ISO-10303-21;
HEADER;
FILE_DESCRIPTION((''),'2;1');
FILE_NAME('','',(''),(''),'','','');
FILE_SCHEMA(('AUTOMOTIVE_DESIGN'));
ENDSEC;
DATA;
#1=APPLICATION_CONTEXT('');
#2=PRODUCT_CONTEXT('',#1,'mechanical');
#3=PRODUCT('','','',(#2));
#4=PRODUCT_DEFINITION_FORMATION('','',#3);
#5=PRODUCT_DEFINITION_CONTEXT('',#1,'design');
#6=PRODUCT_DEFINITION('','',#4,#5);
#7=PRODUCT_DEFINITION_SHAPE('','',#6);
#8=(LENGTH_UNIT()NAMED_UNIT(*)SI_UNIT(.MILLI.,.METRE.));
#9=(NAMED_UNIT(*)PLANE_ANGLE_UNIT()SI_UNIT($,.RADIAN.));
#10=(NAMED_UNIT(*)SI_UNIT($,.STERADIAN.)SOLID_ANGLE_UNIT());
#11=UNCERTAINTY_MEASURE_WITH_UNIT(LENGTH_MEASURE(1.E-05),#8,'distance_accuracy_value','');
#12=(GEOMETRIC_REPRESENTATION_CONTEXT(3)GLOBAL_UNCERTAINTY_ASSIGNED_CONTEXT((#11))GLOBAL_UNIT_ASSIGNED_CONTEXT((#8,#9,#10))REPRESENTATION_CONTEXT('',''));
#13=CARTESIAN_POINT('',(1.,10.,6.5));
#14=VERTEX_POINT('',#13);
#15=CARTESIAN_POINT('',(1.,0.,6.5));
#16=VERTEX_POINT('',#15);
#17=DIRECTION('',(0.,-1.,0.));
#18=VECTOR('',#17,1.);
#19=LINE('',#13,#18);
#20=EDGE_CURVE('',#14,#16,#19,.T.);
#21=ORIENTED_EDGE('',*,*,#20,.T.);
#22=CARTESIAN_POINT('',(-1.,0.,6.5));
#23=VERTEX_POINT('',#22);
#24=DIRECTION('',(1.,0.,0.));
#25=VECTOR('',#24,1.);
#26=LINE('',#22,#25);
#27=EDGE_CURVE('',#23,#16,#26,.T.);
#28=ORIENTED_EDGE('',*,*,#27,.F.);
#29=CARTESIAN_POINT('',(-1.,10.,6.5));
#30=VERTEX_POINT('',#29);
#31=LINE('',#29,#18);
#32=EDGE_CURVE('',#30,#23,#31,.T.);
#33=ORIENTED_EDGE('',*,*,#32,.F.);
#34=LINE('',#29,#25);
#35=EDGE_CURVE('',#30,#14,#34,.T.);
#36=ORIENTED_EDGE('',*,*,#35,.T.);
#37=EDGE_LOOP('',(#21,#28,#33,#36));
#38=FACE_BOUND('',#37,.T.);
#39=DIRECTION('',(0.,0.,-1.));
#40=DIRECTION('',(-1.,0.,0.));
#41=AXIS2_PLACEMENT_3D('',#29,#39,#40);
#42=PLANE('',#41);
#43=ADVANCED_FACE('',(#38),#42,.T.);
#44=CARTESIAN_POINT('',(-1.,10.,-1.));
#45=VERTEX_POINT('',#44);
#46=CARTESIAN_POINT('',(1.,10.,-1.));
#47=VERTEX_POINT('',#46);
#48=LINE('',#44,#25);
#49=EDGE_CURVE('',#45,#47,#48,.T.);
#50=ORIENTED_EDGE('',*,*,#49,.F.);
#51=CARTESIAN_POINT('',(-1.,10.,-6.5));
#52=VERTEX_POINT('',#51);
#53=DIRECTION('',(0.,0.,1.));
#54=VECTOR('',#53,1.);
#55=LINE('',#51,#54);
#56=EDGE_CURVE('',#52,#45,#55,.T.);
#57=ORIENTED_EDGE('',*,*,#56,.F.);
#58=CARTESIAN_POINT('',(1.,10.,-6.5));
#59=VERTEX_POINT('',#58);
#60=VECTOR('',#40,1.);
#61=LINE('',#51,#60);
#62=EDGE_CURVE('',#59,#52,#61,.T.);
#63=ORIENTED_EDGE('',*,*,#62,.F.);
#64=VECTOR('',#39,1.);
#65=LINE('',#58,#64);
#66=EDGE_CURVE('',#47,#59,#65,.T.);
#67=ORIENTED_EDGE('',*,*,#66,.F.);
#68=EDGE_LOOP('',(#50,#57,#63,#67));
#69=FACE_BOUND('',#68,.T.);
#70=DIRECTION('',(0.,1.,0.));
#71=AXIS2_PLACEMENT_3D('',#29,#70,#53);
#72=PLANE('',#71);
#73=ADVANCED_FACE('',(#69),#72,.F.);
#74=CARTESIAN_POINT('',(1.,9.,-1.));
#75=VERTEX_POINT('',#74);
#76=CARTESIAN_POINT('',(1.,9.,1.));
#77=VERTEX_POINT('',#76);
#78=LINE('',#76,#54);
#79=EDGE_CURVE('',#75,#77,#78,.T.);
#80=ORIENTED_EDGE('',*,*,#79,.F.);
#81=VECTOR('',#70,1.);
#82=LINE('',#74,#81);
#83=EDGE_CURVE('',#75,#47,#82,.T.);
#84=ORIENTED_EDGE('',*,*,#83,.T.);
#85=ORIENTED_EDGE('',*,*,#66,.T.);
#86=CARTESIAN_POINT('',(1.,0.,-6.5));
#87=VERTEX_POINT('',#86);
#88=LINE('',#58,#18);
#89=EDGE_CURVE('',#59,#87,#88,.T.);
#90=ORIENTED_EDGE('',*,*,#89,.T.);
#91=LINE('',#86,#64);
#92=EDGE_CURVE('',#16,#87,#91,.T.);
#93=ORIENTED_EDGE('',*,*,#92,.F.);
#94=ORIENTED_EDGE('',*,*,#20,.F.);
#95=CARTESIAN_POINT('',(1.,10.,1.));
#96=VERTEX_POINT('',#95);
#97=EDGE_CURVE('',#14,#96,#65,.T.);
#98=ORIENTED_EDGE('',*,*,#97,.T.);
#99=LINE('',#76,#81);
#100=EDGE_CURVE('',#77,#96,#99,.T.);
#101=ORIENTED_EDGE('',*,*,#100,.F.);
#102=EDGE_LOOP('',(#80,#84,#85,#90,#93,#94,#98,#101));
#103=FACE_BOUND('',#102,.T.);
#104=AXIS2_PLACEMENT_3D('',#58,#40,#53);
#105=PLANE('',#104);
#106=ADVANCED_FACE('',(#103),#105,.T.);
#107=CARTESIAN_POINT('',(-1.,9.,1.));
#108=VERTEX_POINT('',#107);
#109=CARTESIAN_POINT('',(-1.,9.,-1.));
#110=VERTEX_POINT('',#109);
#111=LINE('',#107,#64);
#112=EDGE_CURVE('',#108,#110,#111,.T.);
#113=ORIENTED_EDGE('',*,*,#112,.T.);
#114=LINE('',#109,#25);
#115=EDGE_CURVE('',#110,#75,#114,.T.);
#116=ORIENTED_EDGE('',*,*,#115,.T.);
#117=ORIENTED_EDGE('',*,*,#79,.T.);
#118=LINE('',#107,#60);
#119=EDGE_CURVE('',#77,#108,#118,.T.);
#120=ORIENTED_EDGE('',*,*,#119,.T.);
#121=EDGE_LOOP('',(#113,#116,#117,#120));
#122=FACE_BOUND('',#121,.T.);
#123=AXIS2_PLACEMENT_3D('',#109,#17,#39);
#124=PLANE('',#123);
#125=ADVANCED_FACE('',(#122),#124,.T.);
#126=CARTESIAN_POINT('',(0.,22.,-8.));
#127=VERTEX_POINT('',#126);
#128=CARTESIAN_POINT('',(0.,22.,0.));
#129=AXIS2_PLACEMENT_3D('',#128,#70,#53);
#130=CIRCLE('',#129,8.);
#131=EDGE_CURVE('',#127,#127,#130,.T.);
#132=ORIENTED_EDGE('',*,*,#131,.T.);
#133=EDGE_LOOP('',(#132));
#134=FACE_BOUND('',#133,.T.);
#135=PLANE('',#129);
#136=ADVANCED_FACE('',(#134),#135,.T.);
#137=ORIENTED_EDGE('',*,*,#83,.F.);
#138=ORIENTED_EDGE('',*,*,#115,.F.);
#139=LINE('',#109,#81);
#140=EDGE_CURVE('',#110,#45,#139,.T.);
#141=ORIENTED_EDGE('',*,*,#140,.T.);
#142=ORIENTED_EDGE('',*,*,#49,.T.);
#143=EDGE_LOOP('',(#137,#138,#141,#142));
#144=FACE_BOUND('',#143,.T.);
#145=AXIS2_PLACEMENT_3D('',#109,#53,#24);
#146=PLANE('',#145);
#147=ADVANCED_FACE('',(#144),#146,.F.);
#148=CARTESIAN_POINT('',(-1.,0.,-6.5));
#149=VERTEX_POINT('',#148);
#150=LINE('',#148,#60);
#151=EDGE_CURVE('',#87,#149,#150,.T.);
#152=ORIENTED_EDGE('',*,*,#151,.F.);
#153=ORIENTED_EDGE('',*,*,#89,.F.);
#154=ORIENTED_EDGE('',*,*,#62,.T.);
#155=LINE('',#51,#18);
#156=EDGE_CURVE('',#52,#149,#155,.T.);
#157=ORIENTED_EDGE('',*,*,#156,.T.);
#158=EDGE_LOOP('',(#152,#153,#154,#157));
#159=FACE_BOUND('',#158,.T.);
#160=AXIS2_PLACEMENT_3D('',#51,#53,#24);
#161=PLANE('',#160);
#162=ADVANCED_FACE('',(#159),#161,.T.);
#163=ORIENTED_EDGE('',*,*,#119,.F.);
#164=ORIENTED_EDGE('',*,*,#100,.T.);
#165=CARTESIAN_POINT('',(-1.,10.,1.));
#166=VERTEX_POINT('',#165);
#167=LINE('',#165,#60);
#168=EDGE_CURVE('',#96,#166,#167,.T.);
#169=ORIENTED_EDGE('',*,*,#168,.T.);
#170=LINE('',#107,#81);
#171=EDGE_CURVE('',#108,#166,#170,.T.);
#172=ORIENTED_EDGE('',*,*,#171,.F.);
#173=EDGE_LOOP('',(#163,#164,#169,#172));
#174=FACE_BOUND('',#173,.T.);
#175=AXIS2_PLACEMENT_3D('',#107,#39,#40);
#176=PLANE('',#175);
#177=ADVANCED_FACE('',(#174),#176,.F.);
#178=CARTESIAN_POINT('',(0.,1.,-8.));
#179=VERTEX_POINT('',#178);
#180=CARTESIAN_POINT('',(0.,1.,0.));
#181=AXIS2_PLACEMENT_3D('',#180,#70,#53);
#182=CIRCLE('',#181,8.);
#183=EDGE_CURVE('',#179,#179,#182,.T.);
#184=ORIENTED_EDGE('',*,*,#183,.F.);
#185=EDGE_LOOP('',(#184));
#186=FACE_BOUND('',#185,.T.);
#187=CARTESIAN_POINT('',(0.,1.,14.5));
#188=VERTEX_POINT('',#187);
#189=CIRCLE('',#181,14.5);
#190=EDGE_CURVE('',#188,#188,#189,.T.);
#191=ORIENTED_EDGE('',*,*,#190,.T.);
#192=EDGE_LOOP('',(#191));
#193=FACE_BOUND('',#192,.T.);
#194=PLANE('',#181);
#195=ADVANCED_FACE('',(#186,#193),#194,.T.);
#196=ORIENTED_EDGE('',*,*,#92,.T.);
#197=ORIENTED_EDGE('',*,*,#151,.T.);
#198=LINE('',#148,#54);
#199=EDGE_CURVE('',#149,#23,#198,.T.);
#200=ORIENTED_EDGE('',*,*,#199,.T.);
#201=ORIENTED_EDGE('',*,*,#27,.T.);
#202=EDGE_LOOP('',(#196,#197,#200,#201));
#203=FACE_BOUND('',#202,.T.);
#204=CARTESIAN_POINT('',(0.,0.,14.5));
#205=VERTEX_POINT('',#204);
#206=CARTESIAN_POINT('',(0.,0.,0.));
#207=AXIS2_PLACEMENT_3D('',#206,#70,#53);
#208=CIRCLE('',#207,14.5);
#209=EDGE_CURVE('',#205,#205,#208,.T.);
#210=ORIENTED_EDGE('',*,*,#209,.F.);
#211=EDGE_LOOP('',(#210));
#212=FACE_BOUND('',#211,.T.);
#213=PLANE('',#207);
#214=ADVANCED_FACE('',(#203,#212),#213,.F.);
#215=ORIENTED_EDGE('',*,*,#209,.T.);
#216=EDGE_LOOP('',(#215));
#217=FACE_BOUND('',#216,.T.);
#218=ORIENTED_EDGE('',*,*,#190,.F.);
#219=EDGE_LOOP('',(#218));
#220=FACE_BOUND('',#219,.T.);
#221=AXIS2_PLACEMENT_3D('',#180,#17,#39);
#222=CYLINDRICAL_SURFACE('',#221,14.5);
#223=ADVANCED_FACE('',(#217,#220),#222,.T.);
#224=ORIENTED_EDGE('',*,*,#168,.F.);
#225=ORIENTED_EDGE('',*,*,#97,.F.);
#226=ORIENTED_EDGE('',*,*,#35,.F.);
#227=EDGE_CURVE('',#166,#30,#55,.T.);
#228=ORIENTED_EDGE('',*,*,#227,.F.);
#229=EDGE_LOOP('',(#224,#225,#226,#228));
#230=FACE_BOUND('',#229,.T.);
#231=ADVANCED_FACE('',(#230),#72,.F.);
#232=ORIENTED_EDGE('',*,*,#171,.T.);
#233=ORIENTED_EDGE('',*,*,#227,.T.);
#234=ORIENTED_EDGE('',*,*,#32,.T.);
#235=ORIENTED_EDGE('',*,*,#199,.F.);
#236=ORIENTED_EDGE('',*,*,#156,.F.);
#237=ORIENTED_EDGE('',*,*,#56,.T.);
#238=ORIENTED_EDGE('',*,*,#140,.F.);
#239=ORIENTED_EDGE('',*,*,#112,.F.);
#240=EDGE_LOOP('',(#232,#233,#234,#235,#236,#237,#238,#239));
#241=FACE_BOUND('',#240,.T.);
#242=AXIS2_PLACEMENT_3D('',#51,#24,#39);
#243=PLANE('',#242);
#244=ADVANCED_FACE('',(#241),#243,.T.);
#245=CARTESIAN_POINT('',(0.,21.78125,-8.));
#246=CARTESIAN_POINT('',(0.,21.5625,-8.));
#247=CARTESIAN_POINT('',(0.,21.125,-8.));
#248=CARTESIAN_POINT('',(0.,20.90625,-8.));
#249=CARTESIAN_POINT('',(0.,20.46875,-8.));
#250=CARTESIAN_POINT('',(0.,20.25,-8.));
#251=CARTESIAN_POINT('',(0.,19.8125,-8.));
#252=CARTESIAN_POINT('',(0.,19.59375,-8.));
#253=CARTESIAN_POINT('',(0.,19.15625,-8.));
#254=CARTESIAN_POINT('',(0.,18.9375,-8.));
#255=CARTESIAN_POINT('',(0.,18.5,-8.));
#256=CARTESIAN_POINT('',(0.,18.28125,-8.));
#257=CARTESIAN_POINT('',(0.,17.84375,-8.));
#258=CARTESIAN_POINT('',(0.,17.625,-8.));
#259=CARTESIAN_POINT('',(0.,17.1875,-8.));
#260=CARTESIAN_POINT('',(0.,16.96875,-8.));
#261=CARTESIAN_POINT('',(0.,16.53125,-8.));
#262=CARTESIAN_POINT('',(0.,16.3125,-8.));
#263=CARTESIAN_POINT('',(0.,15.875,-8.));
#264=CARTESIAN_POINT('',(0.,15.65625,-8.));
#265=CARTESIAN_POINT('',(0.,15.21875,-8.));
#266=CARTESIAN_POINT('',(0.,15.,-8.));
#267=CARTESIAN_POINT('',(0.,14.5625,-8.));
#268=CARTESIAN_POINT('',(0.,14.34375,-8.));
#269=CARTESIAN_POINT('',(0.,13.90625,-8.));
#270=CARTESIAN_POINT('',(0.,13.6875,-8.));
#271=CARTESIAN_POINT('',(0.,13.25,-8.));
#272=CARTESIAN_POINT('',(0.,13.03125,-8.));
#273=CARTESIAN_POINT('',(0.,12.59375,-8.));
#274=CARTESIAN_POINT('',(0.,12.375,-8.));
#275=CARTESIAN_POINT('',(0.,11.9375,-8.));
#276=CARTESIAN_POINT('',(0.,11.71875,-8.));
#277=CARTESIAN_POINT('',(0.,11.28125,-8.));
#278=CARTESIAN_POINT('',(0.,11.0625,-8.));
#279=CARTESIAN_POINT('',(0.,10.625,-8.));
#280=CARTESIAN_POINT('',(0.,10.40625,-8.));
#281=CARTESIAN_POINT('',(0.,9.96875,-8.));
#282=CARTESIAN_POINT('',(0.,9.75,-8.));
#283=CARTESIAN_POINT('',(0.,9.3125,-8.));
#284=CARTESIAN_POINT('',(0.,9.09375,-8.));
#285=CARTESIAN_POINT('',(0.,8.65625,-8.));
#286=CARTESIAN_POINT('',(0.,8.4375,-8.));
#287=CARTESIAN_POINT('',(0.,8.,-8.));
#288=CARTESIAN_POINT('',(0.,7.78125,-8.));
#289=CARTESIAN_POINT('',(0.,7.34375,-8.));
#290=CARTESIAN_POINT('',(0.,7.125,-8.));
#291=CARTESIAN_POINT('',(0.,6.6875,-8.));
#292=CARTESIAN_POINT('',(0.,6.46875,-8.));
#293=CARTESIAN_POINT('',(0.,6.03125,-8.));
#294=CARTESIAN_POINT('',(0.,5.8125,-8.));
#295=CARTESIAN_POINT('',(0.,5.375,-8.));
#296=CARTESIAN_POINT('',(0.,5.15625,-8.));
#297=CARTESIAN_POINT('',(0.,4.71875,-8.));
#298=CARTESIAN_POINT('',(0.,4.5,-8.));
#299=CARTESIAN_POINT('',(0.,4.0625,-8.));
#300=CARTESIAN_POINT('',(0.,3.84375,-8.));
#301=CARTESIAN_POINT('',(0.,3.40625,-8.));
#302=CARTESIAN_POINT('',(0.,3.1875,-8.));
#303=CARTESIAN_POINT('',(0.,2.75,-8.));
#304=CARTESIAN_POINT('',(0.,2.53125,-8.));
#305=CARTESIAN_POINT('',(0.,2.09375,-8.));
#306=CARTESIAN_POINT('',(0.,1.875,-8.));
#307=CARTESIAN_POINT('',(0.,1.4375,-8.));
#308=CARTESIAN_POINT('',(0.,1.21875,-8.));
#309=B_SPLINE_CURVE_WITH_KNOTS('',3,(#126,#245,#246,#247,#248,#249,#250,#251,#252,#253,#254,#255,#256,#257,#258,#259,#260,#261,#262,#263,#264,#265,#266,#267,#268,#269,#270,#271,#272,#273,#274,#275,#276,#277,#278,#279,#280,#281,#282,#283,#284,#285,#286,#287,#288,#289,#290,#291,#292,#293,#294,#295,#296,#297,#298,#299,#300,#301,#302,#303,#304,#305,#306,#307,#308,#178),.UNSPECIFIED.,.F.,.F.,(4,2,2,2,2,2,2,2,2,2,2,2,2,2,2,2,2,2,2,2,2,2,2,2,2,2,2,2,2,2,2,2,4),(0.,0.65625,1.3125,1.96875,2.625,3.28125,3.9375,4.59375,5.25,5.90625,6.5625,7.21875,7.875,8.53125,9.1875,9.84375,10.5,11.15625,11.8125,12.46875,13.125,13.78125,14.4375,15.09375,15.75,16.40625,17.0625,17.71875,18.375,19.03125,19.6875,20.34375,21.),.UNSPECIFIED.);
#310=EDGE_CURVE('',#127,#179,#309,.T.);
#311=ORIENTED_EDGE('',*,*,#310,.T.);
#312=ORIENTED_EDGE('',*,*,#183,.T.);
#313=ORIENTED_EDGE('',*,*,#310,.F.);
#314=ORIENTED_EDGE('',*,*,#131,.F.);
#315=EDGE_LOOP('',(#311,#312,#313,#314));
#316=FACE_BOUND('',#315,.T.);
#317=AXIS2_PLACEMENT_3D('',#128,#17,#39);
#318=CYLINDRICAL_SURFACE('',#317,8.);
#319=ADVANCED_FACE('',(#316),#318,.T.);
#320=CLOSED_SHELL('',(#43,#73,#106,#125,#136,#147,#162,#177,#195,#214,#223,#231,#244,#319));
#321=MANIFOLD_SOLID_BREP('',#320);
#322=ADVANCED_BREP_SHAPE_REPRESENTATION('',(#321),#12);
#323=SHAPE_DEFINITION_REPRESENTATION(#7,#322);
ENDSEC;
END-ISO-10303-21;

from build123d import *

# Parameters (mm, degrees)
SKETCH_1_R          = 14.5
EXTRUDE_1_DEPTH     = 1
SKETCH_3_R          = 8
EXTRUDE_3_DEPTH     = 21
SKETCH_4_W          = 2
SKETCH_4_H          = 13
CUT_EXTRUDE_1_DEPTH = 10
SKETCH_5_W          = 2
SKETCH_5_H          = 2
EXTRUDE_4_DEPTH     = 1


with BuildPart() as part:
    # 草图1 → 拉伸1 (new body)
    with BuildSketch(Plane(origin=(0, 0, 0), x_dir=(1, 0, 0), z_dir=(0, 1, 0))):
        with Locations(Location((0, 0, 0), (0, 0, 270))):
            Circle(SKETCH_1_R)
    extrude(amount=EXTRUDE_1_DEPTH)

    # 草图3 → 拉伸3 (add)
    with BuildSketch(Plane(origin=(0, 1, 0), x_dir=(-1, 0, 0), z_dir=(0, 1, 0))):
        with Locations(Location((0, 0, 0), (0, 0, 270))):
            Circle(SKETCH_3_R)
    extrude(amount=EXTRUDE_3_DEPTH)

    # 草图4 → 切除-拉伸1 (cut)
    with BuildSketch(Plane(origin=(0, 0, 0), x_dir=(-1, 0, 0), z_dir=(0, 1, 0))):
        Rectangle(SKETCH_4_W, SKETCH_4_H)
    extrude(amount=CUT_EXTRUDE_1_DEPTH, mode=Mode.SUBTRACT)

    # 草图5 → 拉伸4 (add)
    with BuildSketch(Plane.XZ.offset(-10)):
        Rectangle(SKETCH_5_W, SKETCH_5_H)
    extrude(amount=EXTRUDE_4_DEPTH)


solid = part.part
